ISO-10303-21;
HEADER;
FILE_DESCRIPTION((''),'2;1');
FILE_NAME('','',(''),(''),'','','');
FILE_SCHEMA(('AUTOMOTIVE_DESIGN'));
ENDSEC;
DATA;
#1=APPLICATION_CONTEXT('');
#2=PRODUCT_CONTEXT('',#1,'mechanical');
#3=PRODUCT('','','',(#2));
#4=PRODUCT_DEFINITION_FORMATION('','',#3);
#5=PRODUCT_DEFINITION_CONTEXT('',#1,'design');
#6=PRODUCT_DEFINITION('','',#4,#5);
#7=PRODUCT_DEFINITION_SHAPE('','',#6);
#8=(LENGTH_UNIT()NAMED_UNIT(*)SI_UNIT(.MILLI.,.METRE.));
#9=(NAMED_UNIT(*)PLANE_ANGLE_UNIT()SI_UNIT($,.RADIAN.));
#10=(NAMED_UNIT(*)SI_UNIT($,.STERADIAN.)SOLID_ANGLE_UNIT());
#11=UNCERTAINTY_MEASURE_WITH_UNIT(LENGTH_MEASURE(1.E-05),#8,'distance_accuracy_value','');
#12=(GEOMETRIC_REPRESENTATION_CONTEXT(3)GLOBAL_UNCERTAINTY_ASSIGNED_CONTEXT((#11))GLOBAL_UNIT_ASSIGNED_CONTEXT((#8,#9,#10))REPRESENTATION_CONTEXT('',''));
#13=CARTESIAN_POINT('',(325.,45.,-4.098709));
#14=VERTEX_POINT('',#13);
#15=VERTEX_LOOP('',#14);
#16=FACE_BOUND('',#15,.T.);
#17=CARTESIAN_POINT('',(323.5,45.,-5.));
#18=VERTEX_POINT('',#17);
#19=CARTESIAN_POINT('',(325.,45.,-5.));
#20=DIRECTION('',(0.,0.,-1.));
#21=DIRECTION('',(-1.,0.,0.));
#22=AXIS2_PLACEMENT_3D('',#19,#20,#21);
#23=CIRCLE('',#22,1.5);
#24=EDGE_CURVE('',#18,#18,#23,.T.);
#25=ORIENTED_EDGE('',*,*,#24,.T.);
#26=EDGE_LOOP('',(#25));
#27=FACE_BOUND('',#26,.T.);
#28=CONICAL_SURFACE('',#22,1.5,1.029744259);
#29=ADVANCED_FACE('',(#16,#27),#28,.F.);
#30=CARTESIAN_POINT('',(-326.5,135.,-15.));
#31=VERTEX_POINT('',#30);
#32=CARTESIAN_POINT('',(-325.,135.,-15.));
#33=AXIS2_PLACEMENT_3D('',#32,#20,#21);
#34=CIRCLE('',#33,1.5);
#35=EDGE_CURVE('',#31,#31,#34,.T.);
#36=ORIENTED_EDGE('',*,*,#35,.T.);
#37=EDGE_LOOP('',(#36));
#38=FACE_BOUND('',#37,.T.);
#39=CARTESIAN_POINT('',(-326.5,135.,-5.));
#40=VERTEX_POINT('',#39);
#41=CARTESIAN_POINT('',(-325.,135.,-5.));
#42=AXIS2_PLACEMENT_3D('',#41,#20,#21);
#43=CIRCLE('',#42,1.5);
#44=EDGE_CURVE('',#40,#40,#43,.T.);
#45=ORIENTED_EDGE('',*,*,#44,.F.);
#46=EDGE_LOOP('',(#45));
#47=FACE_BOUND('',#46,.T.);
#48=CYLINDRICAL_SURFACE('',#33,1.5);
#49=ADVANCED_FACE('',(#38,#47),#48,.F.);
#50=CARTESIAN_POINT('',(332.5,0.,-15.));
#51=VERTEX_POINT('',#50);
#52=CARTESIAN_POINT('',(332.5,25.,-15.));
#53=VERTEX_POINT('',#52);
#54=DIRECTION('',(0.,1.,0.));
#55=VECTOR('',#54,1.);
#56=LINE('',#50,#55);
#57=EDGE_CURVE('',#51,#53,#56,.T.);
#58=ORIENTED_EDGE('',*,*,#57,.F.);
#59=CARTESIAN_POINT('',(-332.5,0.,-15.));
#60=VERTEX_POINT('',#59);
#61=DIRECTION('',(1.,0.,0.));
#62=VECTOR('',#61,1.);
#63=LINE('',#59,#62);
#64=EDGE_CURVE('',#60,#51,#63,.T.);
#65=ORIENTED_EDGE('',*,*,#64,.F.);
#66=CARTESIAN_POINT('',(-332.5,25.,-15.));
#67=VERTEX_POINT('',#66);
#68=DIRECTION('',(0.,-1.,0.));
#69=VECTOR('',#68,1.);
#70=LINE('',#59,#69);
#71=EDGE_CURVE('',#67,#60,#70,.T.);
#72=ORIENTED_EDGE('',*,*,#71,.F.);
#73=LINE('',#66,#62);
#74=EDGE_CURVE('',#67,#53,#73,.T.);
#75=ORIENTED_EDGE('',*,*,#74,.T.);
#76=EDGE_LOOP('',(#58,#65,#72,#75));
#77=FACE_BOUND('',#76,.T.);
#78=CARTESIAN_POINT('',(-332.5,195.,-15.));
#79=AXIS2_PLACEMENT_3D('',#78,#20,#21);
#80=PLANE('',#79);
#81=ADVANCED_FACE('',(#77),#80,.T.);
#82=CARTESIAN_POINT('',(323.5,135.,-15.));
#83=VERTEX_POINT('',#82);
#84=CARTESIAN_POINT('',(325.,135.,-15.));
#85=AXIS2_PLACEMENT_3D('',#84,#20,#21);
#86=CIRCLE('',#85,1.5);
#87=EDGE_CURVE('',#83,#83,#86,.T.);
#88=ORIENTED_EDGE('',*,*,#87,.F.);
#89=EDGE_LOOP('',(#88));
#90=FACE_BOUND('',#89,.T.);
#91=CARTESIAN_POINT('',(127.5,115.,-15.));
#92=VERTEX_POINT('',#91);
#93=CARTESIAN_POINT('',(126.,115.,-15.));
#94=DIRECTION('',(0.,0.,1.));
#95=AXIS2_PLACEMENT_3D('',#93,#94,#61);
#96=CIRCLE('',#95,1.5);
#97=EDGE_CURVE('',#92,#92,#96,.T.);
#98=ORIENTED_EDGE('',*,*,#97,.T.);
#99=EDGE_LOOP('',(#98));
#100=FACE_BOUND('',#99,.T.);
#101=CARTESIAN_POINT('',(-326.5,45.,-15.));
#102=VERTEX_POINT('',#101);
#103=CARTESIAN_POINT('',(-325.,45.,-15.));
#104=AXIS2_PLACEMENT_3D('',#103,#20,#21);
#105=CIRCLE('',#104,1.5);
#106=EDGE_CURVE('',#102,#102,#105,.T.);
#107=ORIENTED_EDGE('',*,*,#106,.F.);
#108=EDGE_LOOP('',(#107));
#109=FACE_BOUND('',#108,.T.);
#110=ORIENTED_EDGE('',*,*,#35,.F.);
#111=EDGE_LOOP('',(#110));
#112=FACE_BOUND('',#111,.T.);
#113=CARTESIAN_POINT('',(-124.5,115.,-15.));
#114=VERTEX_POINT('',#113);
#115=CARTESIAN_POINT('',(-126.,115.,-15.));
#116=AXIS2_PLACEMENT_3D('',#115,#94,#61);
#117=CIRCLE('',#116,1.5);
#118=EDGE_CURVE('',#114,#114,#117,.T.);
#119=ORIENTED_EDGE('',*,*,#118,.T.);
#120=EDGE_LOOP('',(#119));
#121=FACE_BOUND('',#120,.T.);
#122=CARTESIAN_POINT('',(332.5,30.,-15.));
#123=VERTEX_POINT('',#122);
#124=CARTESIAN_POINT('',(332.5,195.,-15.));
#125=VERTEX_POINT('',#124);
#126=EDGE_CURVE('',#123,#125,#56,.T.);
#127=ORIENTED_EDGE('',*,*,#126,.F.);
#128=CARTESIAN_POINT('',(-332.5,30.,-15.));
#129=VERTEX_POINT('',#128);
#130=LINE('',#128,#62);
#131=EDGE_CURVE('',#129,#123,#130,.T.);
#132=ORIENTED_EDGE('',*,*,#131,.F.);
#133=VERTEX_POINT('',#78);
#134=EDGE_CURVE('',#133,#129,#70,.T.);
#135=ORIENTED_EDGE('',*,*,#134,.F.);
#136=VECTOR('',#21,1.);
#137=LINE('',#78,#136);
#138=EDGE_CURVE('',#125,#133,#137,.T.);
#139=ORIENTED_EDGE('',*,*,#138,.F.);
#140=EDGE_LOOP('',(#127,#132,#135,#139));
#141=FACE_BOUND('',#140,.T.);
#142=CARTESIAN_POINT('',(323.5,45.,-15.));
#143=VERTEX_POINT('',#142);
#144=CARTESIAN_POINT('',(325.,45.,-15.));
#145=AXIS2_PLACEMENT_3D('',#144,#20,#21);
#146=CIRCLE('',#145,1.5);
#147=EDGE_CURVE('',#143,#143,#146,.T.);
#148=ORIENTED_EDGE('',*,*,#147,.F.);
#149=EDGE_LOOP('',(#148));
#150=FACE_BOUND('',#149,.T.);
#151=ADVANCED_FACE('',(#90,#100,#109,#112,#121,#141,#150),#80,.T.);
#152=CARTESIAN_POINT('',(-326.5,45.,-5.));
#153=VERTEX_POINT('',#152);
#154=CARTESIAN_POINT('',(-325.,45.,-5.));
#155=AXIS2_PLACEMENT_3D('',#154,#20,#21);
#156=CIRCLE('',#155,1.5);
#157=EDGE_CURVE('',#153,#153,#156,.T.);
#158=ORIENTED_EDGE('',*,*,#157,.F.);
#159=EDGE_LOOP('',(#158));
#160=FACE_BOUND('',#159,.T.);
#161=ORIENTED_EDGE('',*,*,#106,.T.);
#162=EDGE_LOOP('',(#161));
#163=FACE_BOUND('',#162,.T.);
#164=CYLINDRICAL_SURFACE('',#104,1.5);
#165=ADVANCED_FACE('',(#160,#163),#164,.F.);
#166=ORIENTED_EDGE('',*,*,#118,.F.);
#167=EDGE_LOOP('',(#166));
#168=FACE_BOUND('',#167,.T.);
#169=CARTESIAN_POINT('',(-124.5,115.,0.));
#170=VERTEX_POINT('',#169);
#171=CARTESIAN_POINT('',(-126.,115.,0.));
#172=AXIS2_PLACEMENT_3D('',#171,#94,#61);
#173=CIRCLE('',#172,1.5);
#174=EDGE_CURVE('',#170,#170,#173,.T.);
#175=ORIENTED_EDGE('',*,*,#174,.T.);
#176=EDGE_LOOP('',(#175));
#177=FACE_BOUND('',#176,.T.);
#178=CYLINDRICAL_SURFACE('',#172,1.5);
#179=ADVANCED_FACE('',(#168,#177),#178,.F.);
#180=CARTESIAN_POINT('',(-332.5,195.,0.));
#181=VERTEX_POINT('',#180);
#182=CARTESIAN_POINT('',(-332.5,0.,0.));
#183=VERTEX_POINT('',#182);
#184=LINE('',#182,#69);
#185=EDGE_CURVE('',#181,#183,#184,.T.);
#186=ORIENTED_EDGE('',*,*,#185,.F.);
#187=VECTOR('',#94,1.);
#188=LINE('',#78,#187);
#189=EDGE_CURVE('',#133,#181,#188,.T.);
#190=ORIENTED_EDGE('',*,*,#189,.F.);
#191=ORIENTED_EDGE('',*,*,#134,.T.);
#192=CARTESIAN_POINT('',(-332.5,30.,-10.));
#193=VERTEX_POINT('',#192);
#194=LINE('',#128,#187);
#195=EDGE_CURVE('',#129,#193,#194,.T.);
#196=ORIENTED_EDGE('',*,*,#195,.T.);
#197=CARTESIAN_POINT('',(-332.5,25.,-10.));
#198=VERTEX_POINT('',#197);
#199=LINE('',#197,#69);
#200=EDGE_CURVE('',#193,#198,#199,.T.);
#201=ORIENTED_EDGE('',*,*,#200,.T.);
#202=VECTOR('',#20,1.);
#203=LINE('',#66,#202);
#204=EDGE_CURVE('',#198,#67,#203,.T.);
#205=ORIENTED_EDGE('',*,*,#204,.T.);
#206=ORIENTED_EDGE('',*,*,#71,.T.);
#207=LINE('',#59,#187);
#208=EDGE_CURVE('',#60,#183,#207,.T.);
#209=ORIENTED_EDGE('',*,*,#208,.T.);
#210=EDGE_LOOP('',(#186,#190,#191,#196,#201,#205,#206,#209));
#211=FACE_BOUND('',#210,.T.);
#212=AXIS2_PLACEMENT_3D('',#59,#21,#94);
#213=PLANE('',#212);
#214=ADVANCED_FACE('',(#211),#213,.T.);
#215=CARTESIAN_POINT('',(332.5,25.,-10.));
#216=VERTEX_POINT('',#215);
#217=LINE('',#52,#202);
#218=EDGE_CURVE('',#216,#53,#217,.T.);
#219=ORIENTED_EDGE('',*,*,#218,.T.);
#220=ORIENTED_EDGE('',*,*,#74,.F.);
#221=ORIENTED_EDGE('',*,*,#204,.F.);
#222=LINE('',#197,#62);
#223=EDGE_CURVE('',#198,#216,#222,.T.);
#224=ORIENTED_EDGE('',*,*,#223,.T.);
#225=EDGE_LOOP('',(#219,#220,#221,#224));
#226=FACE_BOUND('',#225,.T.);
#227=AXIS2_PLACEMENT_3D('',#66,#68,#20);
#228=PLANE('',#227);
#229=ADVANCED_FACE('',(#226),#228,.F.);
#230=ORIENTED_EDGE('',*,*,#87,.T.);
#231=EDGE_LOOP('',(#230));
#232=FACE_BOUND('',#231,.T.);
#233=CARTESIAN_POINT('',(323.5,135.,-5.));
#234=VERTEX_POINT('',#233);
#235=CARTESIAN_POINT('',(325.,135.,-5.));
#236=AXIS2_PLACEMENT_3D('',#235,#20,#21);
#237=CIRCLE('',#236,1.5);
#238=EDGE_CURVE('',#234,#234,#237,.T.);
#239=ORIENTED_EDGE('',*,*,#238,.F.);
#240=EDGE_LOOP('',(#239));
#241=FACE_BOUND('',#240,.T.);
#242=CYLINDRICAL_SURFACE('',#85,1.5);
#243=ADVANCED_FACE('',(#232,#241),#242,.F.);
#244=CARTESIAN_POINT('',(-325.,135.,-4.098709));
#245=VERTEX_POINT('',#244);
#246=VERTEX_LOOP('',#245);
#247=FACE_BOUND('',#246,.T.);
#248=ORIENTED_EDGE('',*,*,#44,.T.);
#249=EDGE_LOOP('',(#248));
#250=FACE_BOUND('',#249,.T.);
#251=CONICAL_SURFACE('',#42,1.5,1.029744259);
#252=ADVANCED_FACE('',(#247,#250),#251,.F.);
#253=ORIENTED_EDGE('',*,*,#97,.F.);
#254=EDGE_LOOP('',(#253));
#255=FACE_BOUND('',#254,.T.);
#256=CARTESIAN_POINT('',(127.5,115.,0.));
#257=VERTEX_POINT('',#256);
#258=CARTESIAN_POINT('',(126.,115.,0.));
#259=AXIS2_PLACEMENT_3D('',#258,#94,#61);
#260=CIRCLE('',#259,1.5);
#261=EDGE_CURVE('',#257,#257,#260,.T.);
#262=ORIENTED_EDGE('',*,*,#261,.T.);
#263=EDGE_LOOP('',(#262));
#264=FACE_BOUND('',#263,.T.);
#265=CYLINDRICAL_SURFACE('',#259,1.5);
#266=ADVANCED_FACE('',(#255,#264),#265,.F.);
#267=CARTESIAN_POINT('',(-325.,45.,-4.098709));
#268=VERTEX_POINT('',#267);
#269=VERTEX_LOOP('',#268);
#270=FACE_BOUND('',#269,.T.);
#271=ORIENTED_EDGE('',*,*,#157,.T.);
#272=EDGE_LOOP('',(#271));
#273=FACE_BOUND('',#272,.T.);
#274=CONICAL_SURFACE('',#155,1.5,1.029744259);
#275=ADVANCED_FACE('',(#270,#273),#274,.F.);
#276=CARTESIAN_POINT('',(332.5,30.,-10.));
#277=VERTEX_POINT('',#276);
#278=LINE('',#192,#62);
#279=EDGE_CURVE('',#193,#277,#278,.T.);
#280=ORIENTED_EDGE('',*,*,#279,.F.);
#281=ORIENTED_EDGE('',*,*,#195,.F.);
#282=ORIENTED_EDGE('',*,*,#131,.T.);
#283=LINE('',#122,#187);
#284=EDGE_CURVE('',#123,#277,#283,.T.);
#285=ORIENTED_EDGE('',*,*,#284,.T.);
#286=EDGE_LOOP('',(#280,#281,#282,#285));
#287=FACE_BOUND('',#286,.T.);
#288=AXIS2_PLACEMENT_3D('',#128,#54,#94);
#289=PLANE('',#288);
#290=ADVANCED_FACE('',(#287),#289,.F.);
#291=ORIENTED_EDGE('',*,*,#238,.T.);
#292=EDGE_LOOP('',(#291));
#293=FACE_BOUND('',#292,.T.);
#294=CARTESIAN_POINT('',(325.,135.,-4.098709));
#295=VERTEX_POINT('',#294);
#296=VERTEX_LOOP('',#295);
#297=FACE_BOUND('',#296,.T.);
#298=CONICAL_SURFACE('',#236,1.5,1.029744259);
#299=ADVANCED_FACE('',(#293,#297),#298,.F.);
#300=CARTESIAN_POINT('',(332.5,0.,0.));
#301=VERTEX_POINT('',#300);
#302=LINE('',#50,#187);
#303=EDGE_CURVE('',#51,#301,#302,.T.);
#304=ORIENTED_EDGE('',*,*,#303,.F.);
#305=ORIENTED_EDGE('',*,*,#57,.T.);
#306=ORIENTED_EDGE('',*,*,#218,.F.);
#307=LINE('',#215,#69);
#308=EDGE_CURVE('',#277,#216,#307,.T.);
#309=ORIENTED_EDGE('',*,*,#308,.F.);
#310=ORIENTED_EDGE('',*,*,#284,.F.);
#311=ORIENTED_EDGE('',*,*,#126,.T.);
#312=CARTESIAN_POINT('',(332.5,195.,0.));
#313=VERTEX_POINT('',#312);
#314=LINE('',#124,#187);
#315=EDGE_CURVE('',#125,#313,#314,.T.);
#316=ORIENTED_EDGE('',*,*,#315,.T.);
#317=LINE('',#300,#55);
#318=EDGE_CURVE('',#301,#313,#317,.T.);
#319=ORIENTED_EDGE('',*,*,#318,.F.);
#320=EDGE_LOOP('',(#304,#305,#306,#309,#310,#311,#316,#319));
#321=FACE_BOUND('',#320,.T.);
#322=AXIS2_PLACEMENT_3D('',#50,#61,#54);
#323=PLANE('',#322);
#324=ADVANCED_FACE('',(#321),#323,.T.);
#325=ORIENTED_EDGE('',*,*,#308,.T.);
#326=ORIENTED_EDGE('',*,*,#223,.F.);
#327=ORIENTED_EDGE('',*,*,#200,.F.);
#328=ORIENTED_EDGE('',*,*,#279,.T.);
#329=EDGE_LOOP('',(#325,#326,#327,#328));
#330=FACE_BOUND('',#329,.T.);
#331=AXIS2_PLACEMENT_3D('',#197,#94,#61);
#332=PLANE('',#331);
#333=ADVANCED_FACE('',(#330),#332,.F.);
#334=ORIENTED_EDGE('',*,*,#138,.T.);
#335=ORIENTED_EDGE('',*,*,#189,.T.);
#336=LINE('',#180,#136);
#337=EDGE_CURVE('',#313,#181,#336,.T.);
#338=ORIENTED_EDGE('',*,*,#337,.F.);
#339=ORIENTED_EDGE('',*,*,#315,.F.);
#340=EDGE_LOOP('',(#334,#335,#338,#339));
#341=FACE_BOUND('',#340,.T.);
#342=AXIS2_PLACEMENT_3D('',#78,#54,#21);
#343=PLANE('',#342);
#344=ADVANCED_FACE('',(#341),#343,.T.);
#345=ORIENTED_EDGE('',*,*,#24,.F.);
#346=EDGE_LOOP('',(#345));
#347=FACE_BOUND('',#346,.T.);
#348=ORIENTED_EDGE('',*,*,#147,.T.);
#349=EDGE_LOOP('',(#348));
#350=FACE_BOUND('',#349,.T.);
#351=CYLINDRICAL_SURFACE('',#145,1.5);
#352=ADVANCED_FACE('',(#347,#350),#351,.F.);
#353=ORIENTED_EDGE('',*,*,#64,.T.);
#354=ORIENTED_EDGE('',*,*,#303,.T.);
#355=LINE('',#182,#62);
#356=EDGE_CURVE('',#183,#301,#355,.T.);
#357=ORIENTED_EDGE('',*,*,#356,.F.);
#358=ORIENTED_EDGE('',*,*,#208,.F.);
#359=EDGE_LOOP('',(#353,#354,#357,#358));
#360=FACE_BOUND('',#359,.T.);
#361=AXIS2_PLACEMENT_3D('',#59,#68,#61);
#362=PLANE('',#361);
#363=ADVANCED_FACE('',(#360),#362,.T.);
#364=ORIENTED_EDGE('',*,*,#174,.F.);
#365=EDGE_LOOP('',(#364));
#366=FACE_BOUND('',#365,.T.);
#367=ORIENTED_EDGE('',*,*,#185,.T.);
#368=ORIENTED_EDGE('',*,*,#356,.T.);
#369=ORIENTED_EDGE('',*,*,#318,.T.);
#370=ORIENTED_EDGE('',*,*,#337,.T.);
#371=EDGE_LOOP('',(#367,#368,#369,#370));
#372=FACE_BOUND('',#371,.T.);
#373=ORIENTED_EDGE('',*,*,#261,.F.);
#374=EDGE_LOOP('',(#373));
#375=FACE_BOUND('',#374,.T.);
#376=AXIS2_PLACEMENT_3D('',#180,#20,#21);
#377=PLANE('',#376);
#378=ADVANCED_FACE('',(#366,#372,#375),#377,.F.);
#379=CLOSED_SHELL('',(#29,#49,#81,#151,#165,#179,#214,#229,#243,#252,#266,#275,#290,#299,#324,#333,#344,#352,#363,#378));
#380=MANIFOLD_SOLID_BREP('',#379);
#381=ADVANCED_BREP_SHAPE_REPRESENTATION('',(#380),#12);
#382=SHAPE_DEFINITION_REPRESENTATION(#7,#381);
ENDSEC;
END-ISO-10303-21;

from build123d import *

# Parameters (mm, degrees)
SKETCH1_W                          = 665
SKETCH1_H                          = 195
BASE_EXTRUDE_DEPTH                 = 15
SKETCH2_W                          = 5
SKETCH2_H                          = 5
CUT_EXTRUDE1_DEPTH                 = 694.163039984
M3_0_3_000000_DIAMETER_HOLE1_D     = 3
M3_0_3_000000_DIAMETER_HOLE2_D     = 3
M3_0_3_000000_DIAMETER_HOLE2_DEPTH = 10
M3_0_3_000000_DIAMETER_HOLE2_TIP   = 0.901290929


with BuildPart() as part:
    # Sketch1 → Base-Extrude (new body)
    with BuildSketch(Plane.XY):
        with Locations((0, 97.5)):
            Rectangle(SKETCH1_W, SKETCH1_H)
    extrude(amount=-BASE_EXTRUDE_DEPTH)

    # Sketch2 → Cut-Extrude1 (cut, through all)
    with BuildSketch(Plane(origin=(332.5, 0, 0), x_dir=(0, 0, -1), z_dir=(1, 0, 0))):
        with Locations((12.5, 27.5)):
            Rectangle(SKETCH2_W, SKETCH2_H)
    extrude(amount=-CUT_EXTRUDE1_DEPTH, mode=Mode.SUBTRACT)

    # M3.0 (3.000000) Diameter Hole1 (through all)
    with Locations(Plane.XY):
        with Locations((-126, 115), (126, 115)):
            Hole(M3_0_3_000000_DIAMETER_HOLE1_D / 2)

    # M3.0 (3.000000) Diameter Hole2
    with Locations(Plane(origin=(0, 0, -15), x_dir=(-1, 0, 0), z_dir=(0, 0, -1))):
        with Locations((-325, 135), (-325, 45), (325, 135), (325, 45)):
            Hole(M3_0_3_000000_DIAMETER_HOLE2_D / 2, depth=M3_0_3_000000_DIAMETER_HOLE2_DEPTH)
            with Locations((0, 0, -(M3_0_3_000000_DIAMETER_HOLE2_DEPTH + M3_0_3_000000_DIAMETER_HOLE2_TIP / 2))):  # 118° drill point
                Cone(0, M3_0_3_000000_DIAMETER_HOLE2_D / 2, M3_0_3_000000_DIAMETER_HOLE2_TIP, mode=Mode.SUBTRACT)


solid = part.part
